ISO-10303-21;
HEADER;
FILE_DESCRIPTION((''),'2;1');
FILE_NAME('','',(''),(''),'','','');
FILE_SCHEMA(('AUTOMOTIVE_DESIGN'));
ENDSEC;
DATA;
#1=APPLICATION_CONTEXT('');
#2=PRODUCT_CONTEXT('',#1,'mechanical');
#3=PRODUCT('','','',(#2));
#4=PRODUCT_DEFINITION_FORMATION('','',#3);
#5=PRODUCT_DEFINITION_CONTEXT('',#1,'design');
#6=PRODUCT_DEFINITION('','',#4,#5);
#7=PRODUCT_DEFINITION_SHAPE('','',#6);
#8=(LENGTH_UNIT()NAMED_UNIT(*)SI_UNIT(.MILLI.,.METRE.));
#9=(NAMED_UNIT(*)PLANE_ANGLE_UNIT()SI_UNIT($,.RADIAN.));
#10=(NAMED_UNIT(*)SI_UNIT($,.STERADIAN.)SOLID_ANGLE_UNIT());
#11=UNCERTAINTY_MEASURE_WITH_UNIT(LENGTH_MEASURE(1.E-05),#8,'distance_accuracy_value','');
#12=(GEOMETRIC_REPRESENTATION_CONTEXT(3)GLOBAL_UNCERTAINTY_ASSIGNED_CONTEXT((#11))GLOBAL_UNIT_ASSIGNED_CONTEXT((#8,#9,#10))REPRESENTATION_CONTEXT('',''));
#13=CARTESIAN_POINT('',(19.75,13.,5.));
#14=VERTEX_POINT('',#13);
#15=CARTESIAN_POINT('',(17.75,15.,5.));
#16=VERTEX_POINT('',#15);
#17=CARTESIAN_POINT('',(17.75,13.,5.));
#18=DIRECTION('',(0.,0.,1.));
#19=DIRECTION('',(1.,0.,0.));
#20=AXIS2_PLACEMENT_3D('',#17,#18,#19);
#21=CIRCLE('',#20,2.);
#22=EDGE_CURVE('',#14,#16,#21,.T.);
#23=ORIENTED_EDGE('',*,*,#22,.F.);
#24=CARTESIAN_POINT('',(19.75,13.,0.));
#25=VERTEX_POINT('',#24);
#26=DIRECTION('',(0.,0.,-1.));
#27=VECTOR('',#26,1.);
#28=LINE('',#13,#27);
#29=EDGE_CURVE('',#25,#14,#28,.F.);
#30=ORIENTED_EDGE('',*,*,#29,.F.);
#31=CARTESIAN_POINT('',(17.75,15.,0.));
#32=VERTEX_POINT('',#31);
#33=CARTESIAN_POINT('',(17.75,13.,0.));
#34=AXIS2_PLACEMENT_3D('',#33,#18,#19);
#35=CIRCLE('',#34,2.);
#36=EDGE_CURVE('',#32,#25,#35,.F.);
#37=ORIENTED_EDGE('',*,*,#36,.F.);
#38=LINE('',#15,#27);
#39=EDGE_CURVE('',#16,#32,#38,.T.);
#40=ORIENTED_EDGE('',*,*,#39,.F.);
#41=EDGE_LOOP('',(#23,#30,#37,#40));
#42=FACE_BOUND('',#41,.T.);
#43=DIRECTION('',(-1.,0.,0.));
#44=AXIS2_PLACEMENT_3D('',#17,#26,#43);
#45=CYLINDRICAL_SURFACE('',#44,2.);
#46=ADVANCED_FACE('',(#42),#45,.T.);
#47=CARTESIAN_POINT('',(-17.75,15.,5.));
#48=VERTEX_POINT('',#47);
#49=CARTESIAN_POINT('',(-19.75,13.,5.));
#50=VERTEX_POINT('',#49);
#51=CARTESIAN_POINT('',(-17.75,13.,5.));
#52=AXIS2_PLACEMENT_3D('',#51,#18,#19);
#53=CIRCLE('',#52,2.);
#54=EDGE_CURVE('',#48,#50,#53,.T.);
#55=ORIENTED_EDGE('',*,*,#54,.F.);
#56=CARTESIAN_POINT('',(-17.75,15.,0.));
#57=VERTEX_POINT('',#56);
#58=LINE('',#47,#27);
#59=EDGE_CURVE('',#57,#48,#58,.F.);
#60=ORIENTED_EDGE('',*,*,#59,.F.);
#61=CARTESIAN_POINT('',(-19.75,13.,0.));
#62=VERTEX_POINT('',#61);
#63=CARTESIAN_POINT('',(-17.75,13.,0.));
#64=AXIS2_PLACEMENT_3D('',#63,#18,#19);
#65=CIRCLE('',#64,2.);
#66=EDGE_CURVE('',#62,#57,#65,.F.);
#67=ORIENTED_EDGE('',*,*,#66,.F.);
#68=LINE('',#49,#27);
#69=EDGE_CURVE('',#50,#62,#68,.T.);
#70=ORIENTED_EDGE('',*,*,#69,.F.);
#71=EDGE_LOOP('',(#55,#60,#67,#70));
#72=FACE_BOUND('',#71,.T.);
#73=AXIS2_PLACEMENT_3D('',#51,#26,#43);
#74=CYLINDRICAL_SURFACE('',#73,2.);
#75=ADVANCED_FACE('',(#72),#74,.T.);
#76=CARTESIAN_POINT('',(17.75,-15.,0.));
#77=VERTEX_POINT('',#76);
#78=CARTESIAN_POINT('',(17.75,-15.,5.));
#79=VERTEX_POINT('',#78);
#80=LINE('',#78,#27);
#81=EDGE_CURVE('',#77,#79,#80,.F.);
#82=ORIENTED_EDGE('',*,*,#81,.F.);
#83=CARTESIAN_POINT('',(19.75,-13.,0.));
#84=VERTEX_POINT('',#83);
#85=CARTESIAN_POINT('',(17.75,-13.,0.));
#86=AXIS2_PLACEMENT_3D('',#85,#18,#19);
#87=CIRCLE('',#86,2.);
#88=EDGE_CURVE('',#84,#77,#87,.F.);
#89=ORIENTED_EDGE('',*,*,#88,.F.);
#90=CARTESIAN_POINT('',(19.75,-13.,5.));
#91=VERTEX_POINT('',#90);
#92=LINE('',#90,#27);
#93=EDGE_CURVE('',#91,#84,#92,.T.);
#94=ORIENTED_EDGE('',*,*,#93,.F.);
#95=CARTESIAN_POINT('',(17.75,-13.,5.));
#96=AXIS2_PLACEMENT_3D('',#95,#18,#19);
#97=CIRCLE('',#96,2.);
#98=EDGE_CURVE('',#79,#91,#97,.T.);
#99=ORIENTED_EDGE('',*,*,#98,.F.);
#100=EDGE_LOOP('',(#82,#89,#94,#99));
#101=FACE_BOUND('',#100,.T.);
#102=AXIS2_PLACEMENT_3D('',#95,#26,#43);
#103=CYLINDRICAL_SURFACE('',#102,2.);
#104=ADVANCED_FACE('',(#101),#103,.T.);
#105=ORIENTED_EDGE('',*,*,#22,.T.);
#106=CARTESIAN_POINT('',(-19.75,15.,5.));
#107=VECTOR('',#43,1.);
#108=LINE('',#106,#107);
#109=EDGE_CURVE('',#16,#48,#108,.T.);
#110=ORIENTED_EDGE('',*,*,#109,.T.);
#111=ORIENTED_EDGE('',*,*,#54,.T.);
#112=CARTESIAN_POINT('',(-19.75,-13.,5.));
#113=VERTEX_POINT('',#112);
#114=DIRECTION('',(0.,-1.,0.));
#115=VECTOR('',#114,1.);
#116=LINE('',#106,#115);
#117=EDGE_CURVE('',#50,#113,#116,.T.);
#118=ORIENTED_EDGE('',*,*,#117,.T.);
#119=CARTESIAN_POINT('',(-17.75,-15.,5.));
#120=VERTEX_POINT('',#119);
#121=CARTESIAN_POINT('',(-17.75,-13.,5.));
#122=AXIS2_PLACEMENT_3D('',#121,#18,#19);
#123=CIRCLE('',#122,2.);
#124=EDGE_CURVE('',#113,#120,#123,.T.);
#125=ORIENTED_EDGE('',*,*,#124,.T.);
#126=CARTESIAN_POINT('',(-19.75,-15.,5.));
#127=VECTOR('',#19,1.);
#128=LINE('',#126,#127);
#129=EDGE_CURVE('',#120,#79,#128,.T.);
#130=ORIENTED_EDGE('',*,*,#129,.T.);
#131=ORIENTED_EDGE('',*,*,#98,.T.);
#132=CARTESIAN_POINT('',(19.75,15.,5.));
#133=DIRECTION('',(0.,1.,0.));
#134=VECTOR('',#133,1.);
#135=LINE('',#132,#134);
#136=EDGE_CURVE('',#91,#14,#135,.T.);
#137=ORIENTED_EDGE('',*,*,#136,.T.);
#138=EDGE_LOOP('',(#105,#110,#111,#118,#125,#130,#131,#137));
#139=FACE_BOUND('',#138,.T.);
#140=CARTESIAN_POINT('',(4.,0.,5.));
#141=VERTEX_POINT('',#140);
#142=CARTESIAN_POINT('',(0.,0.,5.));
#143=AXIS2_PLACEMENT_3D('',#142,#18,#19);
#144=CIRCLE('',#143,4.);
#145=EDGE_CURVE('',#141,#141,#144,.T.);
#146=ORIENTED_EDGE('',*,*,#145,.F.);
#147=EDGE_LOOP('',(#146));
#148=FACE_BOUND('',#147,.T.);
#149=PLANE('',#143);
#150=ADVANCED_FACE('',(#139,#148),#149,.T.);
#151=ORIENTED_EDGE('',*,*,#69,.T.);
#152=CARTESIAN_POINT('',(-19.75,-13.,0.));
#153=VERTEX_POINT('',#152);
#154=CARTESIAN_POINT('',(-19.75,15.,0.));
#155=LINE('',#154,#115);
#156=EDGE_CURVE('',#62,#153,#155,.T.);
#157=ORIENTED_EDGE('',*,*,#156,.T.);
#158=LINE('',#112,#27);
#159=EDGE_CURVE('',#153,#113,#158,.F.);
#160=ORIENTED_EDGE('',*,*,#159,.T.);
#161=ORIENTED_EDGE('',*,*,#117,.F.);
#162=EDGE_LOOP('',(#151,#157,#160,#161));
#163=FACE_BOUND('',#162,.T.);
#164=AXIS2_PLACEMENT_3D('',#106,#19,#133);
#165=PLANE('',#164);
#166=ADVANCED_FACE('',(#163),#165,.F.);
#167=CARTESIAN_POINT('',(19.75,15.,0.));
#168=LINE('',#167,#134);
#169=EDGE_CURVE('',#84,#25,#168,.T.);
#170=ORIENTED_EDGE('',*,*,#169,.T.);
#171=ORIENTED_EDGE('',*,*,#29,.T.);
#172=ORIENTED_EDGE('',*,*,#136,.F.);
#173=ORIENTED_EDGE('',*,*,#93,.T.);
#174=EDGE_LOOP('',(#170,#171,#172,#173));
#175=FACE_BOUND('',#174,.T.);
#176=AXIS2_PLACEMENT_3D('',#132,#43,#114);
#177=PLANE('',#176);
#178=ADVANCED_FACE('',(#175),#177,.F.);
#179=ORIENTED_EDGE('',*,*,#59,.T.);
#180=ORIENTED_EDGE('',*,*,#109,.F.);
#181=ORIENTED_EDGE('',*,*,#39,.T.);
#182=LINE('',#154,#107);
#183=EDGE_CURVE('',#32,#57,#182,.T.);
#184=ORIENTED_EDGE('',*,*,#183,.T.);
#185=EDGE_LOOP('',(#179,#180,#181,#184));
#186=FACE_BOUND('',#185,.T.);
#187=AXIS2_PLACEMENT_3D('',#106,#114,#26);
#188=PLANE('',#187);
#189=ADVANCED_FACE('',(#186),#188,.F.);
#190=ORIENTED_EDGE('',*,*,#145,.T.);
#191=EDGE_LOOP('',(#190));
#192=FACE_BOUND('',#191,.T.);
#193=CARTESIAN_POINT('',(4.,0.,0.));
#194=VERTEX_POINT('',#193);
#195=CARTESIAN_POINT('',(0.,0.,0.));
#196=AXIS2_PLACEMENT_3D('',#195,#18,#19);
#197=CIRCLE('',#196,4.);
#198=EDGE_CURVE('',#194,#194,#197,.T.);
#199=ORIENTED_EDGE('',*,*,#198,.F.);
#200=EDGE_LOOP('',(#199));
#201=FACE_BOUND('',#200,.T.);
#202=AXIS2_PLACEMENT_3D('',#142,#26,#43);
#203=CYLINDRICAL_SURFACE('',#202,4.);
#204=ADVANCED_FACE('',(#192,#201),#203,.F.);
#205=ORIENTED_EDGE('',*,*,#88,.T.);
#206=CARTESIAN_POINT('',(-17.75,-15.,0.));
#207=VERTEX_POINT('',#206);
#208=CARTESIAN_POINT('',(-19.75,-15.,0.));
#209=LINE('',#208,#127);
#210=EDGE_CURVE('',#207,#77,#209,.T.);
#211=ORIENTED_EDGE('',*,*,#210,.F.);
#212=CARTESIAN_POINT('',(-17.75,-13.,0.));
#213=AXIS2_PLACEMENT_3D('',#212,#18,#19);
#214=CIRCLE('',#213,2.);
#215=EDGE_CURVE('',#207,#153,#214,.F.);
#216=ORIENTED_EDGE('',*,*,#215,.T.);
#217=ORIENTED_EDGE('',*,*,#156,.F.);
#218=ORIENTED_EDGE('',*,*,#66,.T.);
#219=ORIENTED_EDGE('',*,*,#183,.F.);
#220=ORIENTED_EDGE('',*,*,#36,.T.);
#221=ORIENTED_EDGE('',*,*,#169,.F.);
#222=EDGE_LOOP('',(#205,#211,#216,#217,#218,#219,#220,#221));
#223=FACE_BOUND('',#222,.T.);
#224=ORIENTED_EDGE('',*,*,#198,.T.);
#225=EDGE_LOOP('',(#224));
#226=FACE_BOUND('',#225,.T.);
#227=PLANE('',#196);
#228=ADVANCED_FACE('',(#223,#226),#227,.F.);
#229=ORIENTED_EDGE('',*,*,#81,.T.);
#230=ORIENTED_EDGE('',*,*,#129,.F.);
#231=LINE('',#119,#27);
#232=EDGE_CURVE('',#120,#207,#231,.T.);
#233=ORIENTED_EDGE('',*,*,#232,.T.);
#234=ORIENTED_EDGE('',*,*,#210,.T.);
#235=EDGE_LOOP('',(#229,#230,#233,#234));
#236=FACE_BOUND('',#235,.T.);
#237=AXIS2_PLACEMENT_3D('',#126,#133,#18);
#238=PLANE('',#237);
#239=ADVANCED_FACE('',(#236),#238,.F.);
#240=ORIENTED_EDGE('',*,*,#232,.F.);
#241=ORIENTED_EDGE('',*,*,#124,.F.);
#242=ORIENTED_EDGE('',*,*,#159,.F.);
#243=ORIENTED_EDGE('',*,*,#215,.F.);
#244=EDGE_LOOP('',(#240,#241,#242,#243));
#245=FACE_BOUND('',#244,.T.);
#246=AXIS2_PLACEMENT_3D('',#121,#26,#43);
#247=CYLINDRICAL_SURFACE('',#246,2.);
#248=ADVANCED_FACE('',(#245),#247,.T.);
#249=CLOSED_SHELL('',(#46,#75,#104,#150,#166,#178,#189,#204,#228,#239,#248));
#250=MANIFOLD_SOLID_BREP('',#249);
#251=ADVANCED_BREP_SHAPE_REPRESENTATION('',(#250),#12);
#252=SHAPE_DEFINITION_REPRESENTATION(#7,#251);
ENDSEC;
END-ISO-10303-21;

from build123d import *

# Parameters (mm, degrees)
SKETCH1_W           = 39.5
SKETCH1_H           = 30
SKETCH1_R           = 4
BOSS_EXTRUDE1_DEPTH = 5
FILLET1_R           = 2


with BuildPart() as part:
    # Sketch1 → Boss-Extrude1 (new body)
    with BuildSketch(Plane.XY):
        Rectangle(SKETCH1_W, SKETCH1_H)
        Circle(SKETCH1_R, mode=Mode.SUBTRACT)
    extrude(amount=BOSS_EXTRUDE1_DEPTH)

    # Fillet1
    fillet1_edges = [part.edges().sort_by_distance(p)[0] for p in [
        (19.75, -15, 2.5),
        (-19.75, -15, 2.5),
        (-19.75, 15, 2.5),
        (19.75, 15, 2.5),
    ]]
    fillet(fillet1_edges, radius=FILLET1_R)


solid = part.part
